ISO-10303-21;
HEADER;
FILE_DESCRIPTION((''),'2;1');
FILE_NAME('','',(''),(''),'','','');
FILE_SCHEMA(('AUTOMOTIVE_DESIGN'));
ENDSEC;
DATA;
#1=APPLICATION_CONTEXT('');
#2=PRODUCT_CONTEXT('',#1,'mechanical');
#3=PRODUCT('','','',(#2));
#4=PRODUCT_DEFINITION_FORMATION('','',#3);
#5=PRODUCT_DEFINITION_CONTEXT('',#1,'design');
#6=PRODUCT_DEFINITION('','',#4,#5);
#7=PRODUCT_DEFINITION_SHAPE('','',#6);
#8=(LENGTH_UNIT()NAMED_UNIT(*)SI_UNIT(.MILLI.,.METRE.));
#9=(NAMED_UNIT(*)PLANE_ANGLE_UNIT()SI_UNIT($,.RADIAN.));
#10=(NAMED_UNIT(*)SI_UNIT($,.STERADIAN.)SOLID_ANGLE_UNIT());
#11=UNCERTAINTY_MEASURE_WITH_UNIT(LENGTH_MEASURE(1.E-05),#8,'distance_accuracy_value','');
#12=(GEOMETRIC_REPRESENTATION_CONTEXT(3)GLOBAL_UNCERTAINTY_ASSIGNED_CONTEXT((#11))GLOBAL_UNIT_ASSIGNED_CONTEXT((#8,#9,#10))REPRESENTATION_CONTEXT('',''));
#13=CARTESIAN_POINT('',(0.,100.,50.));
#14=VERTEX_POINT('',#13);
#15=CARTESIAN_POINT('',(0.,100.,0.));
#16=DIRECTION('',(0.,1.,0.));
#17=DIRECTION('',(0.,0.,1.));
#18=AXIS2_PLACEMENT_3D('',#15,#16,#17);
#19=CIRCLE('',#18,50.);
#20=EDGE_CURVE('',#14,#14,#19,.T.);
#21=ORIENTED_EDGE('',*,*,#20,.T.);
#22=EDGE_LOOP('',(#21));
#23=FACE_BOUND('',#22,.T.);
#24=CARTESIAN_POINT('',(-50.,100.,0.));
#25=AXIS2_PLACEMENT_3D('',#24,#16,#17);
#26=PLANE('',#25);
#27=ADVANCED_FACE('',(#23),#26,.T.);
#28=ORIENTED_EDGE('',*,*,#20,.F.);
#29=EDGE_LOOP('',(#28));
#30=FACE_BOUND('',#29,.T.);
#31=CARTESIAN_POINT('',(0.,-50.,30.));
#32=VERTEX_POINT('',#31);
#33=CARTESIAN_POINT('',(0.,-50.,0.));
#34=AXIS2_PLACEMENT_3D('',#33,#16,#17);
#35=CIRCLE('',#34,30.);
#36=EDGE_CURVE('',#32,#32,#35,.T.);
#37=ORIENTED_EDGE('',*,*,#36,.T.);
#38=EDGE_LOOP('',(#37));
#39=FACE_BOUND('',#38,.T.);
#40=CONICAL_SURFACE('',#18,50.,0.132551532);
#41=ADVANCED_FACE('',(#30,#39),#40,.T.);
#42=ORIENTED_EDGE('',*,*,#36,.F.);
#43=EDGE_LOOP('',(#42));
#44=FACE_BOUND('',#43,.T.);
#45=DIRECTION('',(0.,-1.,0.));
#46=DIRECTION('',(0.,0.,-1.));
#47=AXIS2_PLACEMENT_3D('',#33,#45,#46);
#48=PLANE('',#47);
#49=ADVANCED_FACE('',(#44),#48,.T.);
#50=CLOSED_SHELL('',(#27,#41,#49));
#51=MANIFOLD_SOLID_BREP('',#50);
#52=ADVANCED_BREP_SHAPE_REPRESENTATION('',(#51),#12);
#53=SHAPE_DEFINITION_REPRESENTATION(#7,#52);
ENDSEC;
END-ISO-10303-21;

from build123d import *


with BuildPart() as part:
    # Esquisse1 → Révolution1 (revolve)
    with BuildSketch(Plane.XY):
        Polygon((0, -50), (-30, -50), (-50, 100), (0, 100), align=None)
    revolve(axis=Axis((0, 112.000741398, 0), (0, -1, 0)))


solid = part.part
